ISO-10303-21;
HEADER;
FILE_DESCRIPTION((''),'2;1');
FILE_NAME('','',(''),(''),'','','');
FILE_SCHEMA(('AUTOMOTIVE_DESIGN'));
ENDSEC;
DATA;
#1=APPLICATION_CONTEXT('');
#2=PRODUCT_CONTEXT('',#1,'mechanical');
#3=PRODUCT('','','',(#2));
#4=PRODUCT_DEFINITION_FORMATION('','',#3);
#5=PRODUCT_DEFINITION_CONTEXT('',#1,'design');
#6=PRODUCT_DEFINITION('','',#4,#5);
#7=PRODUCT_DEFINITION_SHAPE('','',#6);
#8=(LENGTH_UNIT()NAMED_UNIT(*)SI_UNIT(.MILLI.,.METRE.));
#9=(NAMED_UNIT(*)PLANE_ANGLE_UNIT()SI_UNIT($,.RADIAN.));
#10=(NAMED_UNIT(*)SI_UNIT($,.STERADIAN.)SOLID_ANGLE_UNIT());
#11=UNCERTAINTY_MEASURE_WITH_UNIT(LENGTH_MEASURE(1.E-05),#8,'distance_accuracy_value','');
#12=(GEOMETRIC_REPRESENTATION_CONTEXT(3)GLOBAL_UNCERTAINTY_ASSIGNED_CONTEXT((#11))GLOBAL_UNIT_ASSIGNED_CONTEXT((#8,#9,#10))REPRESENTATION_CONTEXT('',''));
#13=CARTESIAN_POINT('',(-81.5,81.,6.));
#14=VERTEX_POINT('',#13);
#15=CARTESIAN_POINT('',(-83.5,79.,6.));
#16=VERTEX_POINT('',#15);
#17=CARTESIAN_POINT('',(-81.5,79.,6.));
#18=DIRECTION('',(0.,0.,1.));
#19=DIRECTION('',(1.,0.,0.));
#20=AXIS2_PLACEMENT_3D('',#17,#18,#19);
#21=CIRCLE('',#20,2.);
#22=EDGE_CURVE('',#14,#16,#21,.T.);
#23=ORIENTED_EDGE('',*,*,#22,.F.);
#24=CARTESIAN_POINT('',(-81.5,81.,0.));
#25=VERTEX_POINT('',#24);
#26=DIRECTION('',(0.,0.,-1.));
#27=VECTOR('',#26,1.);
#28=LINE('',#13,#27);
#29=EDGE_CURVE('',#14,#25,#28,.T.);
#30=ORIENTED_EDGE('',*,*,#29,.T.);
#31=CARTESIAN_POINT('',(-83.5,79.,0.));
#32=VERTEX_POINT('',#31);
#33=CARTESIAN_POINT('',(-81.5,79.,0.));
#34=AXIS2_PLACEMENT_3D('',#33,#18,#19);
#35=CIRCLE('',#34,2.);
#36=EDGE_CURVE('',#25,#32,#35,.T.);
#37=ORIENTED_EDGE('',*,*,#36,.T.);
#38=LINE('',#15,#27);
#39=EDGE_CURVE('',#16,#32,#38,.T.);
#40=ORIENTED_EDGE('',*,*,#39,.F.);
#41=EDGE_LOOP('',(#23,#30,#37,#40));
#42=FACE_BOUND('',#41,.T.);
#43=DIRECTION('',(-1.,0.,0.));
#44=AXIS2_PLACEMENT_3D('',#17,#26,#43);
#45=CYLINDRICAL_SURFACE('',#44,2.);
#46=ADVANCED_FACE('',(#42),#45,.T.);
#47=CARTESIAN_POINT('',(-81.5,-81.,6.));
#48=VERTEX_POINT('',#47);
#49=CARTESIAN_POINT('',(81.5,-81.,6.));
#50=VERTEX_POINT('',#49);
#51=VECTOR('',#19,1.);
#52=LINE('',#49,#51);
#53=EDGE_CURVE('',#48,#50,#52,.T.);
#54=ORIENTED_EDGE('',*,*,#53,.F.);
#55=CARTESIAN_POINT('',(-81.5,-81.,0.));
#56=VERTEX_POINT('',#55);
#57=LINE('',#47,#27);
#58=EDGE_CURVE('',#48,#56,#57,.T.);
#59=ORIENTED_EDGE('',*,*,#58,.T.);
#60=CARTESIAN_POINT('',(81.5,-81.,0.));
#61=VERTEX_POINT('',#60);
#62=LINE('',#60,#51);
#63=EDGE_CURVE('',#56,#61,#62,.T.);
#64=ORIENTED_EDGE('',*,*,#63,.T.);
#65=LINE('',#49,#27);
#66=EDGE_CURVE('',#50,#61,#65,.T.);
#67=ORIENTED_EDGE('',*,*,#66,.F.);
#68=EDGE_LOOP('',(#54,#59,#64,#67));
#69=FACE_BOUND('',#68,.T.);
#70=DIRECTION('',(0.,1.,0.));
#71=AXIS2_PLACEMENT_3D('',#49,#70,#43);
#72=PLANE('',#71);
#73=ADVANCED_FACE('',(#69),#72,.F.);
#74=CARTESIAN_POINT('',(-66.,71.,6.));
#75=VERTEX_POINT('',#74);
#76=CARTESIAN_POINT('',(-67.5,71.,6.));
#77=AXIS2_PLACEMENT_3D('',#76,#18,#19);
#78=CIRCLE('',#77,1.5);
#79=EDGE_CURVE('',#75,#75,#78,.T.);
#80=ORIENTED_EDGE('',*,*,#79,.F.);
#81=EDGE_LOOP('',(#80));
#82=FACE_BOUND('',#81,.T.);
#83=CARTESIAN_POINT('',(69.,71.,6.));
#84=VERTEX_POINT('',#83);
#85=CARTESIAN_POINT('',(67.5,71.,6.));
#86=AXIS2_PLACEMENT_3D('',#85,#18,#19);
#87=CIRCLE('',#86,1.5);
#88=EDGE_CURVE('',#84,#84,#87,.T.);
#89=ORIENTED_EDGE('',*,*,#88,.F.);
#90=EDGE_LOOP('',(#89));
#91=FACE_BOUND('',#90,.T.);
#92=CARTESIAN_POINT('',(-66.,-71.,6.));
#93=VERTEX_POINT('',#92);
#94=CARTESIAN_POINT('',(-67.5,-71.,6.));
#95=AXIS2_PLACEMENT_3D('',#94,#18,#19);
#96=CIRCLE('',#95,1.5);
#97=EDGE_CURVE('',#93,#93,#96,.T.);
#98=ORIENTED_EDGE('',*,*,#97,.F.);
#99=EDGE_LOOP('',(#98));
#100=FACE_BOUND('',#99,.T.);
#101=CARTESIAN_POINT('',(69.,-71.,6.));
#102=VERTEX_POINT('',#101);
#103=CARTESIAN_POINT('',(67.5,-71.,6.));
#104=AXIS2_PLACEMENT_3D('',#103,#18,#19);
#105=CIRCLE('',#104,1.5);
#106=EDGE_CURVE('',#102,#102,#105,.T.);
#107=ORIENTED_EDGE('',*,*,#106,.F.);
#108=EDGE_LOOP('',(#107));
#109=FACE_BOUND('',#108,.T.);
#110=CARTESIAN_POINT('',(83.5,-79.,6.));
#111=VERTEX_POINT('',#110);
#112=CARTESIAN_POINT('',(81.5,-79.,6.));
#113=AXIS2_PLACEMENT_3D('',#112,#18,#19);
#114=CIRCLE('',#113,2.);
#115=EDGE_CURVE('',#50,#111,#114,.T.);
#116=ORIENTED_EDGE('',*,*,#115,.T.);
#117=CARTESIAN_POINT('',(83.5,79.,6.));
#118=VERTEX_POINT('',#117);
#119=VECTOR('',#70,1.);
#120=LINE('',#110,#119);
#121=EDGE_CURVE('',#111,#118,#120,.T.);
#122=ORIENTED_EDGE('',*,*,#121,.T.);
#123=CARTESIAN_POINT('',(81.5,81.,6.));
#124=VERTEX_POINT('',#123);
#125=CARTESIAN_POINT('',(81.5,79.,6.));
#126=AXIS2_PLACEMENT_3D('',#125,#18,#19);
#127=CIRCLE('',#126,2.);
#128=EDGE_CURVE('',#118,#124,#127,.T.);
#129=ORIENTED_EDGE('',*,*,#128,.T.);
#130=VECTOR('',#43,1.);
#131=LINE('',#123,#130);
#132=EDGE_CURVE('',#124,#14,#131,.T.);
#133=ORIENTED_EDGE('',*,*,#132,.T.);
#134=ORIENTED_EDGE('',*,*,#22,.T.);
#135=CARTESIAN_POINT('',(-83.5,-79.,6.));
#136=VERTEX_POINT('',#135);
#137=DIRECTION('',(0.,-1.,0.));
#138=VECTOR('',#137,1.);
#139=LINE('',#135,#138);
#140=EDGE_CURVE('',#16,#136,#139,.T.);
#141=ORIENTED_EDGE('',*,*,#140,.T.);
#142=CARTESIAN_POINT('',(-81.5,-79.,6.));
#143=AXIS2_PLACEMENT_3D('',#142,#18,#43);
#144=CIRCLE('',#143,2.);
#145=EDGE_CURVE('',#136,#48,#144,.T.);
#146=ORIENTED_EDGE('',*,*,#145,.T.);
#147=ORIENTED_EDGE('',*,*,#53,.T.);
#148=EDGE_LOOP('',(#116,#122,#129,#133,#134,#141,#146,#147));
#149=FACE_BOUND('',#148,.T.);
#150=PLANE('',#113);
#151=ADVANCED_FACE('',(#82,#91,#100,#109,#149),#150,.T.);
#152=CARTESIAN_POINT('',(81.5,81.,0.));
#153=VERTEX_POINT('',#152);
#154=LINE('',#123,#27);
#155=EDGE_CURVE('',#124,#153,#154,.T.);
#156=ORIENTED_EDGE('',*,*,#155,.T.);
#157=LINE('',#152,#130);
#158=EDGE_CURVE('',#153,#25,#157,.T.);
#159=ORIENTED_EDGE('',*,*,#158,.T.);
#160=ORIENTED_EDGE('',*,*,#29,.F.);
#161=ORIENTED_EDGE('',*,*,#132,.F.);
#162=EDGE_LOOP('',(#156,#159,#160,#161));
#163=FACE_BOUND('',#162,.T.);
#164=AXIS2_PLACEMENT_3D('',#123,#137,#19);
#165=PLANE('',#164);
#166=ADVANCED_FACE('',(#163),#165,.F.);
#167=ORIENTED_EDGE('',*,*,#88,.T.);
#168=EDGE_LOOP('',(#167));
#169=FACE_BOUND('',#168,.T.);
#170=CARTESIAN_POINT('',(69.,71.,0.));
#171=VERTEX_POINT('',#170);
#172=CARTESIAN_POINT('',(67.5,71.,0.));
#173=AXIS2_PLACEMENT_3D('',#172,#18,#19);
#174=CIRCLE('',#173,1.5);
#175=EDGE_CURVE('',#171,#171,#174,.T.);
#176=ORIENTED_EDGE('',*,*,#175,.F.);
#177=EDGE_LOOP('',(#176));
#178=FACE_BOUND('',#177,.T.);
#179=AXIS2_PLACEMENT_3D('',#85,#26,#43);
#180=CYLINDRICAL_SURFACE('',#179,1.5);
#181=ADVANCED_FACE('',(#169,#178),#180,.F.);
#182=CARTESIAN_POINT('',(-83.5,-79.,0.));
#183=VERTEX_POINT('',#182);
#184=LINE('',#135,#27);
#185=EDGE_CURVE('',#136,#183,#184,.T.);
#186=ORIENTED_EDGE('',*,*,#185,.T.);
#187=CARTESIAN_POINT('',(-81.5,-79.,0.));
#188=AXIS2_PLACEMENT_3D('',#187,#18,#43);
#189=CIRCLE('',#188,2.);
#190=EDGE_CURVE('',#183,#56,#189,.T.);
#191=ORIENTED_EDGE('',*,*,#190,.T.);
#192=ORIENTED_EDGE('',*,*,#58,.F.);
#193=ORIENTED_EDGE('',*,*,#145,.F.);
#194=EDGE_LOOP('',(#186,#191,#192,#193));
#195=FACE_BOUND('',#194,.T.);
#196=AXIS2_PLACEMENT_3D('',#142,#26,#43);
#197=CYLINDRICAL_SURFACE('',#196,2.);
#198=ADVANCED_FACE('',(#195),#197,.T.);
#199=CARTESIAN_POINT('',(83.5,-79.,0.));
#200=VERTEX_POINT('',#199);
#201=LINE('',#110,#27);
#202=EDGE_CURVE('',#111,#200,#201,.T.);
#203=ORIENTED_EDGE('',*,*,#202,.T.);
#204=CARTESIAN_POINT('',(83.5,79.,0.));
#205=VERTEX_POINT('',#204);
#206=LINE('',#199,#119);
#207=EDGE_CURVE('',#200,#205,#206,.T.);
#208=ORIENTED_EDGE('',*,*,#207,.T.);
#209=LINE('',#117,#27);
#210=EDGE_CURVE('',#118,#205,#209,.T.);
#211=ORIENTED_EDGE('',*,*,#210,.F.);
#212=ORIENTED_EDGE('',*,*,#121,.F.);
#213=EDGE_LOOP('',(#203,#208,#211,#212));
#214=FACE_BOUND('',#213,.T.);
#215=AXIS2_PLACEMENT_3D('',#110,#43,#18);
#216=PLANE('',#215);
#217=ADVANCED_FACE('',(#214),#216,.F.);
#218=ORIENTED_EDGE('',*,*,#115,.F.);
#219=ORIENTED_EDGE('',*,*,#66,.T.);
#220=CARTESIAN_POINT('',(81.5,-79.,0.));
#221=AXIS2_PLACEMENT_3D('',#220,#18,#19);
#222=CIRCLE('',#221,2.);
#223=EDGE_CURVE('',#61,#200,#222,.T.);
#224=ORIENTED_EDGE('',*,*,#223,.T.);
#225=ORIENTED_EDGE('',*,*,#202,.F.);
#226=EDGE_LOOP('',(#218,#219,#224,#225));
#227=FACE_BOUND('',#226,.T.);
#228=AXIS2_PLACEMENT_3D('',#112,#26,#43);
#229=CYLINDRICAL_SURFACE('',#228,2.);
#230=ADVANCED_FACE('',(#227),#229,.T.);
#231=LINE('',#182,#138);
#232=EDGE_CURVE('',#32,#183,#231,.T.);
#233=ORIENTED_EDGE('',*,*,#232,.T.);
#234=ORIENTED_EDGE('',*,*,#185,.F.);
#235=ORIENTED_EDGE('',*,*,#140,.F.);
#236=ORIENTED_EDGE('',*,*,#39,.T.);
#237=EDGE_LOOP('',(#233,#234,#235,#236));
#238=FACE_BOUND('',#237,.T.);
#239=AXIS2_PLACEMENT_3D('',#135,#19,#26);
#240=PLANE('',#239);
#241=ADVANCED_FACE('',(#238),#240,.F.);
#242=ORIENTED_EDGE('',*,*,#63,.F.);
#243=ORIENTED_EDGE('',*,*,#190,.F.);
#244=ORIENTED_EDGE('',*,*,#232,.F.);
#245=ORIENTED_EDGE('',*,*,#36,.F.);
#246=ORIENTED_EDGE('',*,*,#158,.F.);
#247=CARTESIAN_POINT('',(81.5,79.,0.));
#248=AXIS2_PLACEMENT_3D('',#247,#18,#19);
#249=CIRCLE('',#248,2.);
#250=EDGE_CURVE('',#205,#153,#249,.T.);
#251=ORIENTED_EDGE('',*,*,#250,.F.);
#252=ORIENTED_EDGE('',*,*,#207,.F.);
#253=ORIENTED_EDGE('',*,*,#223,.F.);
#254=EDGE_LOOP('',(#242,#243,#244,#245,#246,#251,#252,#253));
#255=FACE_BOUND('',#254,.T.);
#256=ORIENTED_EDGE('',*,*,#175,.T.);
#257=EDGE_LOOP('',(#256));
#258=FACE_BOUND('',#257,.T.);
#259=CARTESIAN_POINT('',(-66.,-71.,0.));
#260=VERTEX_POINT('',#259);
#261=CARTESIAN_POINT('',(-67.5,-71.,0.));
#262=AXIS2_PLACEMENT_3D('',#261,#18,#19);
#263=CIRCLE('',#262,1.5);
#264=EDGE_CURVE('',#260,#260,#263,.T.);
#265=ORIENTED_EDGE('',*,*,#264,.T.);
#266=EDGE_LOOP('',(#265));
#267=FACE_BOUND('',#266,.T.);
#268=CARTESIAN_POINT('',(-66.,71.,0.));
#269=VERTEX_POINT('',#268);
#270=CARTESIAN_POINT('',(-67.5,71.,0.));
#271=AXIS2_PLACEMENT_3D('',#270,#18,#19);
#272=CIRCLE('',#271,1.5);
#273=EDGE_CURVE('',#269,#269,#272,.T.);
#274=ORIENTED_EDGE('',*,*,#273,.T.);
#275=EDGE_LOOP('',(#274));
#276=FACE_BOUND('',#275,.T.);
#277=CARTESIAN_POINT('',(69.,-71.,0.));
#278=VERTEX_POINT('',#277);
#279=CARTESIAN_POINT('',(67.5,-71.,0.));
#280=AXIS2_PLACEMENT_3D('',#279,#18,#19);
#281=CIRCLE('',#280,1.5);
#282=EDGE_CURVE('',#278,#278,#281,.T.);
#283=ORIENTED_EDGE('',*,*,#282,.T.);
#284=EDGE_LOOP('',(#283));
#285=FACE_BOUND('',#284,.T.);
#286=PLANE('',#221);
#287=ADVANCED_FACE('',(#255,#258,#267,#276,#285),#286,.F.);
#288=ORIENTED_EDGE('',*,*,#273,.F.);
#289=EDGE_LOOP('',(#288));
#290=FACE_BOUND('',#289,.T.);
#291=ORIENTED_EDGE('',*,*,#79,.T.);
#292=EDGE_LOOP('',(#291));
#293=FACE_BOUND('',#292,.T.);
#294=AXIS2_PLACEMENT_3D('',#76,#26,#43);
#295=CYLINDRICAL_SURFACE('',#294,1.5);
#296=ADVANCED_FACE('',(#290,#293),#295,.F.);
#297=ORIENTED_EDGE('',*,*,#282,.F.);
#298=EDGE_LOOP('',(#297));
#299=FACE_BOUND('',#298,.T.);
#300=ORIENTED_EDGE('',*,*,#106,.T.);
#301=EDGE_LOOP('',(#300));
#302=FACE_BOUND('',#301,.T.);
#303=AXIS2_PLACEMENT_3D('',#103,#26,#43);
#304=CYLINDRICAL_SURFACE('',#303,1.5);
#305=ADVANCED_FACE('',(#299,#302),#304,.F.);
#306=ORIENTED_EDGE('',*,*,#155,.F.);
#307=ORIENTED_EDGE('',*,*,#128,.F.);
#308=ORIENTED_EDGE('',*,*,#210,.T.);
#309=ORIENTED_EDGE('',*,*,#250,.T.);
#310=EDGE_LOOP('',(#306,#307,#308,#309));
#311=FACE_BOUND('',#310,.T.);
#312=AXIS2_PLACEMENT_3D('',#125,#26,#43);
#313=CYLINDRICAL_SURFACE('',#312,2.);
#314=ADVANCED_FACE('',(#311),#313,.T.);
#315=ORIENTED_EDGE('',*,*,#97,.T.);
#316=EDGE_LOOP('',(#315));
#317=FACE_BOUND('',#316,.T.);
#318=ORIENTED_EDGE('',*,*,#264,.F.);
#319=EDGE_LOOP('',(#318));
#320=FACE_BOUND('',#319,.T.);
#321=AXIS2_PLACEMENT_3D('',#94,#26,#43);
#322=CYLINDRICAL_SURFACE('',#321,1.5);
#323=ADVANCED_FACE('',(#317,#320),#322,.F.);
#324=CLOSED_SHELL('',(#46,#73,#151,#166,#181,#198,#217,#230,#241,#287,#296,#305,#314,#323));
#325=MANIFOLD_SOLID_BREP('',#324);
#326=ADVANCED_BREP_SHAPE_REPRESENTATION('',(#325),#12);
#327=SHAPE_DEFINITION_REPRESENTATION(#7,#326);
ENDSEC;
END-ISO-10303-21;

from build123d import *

# Parameters (mm, degrees)
ESBO_O1_R                = 1.5
RESSALTO_EXTRUS_O1_DEPTH = 6


with BuildPart() as part:
    # Esboço1 → Ressalto-extrusão1 (new body)
    with BuildSketch(Plane.XY):
        with BuildLine():
            Line((81.5, -81), (-81.5, -81))
            ThreePointArc((-81.5, -81), (-82.914213562, -80.414213562), (-83.5, -79))
            Line((-83.5, -79), (-83.5, 79))
            ThreePointArc((-83.5, 79), (-82.914213562, 80.414213562), (-81.5, 81))
            Line((-81.5, 81), (81.5, 81))
            ThreePointArc((81.5, 81), (82.914213562, 80.414213562), (83.5, 79))
            Line((83.5, 79), (83.5, -79))
            ThreePointArc((83.5, -79), (82.914213562, -80.414213562), (81.5, -81))
        make_face()
        with Locations((-67.5, 71)):
            Circle(ESBO_O1_R, mode=Mode.SUBTRACT)
        with Locations((67.5, 71)):
            Circle(ESBO_O1_R, mode=Mode.SUBTRACT)
        with Locations((67.5, -71)):
            Circle(ESBO_O1_R, mode=Mode.SUBTRACT)
        with Locations((-67.5, -71)):
            Circle(ESBO_O1_R, mode=Mode.SUBTRACT)
    extrude(amount=RESSALTO_EXTRUS_O1_DEPTH)


solid = part.part
